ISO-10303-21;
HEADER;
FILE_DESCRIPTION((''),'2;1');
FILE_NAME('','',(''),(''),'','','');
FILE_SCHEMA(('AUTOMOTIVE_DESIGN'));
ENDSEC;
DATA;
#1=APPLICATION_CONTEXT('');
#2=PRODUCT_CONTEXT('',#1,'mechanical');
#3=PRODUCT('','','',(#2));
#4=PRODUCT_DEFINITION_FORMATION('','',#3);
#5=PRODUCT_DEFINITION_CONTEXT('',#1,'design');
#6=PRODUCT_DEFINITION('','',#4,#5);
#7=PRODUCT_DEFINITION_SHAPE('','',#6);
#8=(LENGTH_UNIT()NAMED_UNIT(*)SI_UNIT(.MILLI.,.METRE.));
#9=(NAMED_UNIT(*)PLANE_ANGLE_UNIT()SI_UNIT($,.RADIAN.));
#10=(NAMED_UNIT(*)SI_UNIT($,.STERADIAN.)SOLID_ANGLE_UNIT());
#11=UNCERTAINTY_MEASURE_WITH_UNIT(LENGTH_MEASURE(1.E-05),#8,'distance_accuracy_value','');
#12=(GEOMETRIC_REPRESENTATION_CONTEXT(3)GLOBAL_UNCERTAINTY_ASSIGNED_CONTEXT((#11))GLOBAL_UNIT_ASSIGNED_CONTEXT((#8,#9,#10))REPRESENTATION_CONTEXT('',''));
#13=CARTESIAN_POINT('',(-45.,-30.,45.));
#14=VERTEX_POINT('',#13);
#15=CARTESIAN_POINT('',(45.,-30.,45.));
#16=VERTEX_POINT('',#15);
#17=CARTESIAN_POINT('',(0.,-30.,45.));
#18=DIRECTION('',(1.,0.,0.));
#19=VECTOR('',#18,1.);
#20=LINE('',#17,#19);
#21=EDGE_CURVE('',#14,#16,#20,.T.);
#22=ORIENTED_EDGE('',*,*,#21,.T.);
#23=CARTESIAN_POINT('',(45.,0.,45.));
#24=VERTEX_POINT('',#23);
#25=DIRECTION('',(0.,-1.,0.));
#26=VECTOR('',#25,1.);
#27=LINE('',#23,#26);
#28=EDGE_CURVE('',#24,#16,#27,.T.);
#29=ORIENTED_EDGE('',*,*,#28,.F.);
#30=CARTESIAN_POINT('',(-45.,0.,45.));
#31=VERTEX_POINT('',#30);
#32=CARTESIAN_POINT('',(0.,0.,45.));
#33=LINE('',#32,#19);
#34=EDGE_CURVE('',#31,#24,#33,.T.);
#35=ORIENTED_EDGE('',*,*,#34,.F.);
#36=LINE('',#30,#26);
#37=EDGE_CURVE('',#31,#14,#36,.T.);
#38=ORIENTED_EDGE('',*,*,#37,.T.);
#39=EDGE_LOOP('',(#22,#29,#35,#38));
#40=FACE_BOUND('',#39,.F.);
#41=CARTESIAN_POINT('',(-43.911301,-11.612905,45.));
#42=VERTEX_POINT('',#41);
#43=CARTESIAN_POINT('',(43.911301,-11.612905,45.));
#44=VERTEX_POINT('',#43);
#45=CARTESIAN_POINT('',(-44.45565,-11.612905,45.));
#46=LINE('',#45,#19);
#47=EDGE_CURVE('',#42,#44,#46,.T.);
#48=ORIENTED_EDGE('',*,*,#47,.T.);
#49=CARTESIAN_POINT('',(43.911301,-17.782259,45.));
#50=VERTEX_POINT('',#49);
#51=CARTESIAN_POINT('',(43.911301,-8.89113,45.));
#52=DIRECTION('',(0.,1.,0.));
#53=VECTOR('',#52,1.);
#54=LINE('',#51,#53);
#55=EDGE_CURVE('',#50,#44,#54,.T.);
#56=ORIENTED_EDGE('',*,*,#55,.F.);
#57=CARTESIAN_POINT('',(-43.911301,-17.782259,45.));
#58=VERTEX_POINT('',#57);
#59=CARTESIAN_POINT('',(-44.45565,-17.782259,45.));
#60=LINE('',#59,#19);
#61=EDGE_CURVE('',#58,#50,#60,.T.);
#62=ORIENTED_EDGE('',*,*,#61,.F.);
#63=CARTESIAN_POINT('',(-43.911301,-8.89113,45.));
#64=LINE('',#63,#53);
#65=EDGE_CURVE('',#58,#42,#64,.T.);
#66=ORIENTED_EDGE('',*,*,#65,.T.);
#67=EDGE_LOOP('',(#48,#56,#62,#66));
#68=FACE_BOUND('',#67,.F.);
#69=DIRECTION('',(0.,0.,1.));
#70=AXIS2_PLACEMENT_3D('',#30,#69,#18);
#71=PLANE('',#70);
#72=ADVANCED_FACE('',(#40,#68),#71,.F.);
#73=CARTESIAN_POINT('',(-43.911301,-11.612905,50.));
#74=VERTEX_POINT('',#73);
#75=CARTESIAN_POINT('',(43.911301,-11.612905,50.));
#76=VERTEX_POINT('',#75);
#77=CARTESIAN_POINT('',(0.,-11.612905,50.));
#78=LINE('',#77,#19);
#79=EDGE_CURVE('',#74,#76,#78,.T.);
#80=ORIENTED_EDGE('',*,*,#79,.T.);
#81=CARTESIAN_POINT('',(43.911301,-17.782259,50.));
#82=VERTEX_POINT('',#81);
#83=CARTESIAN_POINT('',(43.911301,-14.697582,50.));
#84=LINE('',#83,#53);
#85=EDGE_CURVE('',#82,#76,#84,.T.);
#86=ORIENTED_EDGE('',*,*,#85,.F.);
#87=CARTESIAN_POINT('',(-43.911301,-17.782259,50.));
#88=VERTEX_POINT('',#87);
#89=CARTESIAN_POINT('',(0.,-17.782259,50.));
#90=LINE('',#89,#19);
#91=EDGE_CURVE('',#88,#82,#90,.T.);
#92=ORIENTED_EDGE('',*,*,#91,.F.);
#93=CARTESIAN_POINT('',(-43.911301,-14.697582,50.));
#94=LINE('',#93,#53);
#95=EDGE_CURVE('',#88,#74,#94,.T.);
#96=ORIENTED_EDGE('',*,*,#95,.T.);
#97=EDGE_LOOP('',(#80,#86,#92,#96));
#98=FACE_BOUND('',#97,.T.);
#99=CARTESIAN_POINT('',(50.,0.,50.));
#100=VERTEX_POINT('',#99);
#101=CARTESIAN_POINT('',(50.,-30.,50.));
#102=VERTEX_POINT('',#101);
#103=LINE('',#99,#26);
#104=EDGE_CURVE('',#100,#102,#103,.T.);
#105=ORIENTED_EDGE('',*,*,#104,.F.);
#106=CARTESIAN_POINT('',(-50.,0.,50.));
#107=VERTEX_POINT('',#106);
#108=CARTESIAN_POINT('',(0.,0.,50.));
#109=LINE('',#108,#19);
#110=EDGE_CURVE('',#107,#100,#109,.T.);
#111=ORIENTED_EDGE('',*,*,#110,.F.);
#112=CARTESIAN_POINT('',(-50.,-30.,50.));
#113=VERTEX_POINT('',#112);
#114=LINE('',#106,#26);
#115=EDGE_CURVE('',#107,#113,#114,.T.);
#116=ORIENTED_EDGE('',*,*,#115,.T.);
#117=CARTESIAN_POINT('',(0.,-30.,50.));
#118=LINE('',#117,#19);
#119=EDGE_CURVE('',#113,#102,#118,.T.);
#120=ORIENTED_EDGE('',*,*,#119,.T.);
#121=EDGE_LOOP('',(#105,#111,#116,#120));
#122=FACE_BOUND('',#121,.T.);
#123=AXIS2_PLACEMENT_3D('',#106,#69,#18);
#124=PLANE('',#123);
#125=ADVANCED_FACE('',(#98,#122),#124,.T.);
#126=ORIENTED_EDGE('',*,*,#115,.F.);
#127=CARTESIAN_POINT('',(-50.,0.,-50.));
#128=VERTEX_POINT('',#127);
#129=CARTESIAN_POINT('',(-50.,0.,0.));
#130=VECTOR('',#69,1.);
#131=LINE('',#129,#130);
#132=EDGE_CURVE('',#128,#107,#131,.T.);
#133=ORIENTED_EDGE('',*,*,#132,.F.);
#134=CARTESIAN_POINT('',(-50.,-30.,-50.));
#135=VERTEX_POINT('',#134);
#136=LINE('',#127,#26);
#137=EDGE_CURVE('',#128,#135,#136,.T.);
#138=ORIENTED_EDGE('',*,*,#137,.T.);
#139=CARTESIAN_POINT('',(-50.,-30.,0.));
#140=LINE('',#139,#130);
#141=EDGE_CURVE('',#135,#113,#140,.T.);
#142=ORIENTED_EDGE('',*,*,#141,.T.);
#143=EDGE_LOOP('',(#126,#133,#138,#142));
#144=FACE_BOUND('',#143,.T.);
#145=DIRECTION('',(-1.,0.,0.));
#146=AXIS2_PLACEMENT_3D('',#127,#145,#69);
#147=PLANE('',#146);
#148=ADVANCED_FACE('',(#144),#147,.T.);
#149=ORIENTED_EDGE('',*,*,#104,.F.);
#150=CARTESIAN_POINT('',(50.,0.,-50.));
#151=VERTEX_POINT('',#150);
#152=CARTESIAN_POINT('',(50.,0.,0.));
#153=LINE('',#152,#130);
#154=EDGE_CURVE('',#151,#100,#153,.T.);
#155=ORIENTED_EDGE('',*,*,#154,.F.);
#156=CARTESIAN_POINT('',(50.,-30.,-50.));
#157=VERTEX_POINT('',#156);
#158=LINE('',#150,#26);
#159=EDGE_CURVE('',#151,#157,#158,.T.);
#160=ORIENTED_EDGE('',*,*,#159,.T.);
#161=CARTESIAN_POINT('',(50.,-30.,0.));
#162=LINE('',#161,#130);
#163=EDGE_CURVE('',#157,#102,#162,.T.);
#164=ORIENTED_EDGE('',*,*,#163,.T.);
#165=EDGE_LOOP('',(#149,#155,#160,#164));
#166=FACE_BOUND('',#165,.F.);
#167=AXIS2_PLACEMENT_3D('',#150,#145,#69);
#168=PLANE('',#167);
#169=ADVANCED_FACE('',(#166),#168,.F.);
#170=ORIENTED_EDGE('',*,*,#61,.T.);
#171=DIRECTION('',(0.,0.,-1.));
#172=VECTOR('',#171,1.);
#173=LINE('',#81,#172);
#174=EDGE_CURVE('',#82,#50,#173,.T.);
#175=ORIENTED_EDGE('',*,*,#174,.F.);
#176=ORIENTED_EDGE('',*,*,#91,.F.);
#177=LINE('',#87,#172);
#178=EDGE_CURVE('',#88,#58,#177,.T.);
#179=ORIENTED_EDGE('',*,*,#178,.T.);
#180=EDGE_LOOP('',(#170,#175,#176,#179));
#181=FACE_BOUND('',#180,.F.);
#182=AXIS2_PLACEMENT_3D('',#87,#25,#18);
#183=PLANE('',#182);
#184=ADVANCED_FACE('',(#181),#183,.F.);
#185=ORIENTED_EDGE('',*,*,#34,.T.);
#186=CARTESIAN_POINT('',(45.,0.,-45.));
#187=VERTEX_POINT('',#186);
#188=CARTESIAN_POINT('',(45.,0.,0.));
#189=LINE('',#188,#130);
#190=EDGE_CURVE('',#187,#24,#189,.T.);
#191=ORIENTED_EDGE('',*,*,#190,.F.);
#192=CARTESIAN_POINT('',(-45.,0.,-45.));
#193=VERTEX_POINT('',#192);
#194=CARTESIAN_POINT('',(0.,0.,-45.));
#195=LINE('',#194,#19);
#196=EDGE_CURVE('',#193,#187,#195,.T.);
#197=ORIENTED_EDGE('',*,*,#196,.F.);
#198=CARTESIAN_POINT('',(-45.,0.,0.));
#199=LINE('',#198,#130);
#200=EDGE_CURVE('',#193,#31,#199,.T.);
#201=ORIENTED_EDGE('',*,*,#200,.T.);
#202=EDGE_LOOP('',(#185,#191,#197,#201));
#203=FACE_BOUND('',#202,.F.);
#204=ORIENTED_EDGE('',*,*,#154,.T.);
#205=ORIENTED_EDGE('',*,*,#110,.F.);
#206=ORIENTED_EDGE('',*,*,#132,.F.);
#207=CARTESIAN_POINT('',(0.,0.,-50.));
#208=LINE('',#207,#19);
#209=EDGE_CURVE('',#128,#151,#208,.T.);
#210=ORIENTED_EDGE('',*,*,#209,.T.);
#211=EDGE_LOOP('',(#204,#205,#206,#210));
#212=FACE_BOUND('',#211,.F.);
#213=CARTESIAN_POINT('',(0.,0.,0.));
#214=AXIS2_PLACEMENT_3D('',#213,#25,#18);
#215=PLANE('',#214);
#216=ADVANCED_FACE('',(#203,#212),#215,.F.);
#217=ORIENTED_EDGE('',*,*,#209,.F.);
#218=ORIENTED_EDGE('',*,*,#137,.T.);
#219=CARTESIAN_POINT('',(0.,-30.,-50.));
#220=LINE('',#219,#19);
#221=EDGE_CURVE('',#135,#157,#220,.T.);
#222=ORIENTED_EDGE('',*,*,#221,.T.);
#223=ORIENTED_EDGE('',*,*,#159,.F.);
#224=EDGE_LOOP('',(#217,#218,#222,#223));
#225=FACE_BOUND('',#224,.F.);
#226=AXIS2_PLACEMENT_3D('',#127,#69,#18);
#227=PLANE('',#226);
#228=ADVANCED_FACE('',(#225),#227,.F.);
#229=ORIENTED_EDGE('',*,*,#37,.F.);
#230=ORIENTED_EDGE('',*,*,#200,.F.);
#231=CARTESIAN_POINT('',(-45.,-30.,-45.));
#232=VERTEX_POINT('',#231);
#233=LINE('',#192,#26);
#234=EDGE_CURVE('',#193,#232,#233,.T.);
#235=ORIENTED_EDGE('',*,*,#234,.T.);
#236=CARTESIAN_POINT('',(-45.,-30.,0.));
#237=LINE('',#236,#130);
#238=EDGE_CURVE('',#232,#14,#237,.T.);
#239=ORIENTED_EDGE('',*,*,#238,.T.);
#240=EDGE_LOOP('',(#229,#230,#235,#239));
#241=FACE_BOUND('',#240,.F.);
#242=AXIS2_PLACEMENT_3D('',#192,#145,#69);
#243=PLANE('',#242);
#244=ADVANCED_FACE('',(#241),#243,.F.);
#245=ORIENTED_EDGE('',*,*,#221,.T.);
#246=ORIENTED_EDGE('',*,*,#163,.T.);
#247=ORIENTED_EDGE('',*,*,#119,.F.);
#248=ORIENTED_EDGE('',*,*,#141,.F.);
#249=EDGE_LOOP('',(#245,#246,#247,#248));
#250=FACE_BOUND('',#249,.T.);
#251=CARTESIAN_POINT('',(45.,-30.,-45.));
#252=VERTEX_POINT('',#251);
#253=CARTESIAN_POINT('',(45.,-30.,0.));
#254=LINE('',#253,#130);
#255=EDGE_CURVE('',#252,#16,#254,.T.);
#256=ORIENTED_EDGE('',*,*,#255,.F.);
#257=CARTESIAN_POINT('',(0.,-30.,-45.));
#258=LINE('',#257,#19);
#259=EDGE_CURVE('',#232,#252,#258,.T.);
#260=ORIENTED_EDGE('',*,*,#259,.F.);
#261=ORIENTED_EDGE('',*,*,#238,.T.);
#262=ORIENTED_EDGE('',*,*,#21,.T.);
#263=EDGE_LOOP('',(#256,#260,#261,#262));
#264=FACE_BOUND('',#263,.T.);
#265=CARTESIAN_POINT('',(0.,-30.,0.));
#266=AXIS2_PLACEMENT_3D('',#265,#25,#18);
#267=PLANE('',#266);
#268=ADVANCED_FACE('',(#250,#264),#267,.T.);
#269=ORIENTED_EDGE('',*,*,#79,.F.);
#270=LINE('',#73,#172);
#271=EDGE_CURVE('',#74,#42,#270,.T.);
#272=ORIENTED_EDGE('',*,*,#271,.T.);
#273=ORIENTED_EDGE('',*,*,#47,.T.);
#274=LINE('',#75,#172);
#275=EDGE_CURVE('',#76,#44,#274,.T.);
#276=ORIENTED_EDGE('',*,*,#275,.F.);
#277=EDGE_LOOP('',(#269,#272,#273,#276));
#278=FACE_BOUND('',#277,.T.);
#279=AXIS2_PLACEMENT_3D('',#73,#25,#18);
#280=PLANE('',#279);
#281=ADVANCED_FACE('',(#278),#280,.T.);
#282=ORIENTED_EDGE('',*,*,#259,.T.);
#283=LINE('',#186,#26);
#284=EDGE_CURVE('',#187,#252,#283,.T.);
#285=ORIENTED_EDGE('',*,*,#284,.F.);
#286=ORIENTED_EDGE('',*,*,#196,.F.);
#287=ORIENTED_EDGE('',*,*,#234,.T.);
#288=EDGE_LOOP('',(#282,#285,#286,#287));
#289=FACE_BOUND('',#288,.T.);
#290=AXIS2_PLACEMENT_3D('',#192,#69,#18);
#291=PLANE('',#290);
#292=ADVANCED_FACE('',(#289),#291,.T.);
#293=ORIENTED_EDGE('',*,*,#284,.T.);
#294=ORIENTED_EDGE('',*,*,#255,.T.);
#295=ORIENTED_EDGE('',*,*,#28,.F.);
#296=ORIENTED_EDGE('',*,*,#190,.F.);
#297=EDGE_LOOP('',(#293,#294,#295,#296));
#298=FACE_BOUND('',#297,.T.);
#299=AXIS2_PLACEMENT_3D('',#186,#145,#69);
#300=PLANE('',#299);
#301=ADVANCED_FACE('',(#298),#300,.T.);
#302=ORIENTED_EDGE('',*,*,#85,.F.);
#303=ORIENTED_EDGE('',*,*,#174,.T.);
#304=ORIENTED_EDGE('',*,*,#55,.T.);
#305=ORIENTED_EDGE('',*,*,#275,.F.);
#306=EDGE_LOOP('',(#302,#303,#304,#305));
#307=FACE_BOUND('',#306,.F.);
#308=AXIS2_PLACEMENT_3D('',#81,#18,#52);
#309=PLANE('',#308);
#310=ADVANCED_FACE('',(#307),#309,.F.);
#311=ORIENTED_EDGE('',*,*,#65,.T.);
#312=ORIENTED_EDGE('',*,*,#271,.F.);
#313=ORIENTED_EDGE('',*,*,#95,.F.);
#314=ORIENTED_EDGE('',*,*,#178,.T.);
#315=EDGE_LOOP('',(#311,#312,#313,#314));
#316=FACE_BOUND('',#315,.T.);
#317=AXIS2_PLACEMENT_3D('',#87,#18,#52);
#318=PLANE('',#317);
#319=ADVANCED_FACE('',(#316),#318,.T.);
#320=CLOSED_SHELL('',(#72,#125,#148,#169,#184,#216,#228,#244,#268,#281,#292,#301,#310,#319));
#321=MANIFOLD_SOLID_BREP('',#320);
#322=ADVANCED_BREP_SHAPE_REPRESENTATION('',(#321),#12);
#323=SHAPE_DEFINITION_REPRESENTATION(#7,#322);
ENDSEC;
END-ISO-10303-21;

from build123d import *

# Parameters (mm, degrees)
F0_W     = 100
F0_H     = 100
F0_W_2   = 90
F0_H_2   = 90
F1_DEPTH = 30
F2_W     = 87.822602
F2_H     = 6.169355
F3_DEPTH = 25


with BuildPart() as f1:
    # F0 (on Front) → F1 (new body)
    with BuildSketch(Plane.XZ):
        Rectangle(F0_W, F0_H)
        Rectangle(F0_W_2, F0_H_2, mode=Mode.SUBTRACT)
    extrude(amount=F1_DEPTH)

    # F2 (on face) → F3 (cut)
    with BuildSketch(Plane.XY.offset(50)):
        with Locations((0, -14.697582)):
            Rectangle(F2_W, F2_H)
    extrude(amount=-F3_DEPTH, mode=Mode.SUBTRACT)


solid = f1.part
